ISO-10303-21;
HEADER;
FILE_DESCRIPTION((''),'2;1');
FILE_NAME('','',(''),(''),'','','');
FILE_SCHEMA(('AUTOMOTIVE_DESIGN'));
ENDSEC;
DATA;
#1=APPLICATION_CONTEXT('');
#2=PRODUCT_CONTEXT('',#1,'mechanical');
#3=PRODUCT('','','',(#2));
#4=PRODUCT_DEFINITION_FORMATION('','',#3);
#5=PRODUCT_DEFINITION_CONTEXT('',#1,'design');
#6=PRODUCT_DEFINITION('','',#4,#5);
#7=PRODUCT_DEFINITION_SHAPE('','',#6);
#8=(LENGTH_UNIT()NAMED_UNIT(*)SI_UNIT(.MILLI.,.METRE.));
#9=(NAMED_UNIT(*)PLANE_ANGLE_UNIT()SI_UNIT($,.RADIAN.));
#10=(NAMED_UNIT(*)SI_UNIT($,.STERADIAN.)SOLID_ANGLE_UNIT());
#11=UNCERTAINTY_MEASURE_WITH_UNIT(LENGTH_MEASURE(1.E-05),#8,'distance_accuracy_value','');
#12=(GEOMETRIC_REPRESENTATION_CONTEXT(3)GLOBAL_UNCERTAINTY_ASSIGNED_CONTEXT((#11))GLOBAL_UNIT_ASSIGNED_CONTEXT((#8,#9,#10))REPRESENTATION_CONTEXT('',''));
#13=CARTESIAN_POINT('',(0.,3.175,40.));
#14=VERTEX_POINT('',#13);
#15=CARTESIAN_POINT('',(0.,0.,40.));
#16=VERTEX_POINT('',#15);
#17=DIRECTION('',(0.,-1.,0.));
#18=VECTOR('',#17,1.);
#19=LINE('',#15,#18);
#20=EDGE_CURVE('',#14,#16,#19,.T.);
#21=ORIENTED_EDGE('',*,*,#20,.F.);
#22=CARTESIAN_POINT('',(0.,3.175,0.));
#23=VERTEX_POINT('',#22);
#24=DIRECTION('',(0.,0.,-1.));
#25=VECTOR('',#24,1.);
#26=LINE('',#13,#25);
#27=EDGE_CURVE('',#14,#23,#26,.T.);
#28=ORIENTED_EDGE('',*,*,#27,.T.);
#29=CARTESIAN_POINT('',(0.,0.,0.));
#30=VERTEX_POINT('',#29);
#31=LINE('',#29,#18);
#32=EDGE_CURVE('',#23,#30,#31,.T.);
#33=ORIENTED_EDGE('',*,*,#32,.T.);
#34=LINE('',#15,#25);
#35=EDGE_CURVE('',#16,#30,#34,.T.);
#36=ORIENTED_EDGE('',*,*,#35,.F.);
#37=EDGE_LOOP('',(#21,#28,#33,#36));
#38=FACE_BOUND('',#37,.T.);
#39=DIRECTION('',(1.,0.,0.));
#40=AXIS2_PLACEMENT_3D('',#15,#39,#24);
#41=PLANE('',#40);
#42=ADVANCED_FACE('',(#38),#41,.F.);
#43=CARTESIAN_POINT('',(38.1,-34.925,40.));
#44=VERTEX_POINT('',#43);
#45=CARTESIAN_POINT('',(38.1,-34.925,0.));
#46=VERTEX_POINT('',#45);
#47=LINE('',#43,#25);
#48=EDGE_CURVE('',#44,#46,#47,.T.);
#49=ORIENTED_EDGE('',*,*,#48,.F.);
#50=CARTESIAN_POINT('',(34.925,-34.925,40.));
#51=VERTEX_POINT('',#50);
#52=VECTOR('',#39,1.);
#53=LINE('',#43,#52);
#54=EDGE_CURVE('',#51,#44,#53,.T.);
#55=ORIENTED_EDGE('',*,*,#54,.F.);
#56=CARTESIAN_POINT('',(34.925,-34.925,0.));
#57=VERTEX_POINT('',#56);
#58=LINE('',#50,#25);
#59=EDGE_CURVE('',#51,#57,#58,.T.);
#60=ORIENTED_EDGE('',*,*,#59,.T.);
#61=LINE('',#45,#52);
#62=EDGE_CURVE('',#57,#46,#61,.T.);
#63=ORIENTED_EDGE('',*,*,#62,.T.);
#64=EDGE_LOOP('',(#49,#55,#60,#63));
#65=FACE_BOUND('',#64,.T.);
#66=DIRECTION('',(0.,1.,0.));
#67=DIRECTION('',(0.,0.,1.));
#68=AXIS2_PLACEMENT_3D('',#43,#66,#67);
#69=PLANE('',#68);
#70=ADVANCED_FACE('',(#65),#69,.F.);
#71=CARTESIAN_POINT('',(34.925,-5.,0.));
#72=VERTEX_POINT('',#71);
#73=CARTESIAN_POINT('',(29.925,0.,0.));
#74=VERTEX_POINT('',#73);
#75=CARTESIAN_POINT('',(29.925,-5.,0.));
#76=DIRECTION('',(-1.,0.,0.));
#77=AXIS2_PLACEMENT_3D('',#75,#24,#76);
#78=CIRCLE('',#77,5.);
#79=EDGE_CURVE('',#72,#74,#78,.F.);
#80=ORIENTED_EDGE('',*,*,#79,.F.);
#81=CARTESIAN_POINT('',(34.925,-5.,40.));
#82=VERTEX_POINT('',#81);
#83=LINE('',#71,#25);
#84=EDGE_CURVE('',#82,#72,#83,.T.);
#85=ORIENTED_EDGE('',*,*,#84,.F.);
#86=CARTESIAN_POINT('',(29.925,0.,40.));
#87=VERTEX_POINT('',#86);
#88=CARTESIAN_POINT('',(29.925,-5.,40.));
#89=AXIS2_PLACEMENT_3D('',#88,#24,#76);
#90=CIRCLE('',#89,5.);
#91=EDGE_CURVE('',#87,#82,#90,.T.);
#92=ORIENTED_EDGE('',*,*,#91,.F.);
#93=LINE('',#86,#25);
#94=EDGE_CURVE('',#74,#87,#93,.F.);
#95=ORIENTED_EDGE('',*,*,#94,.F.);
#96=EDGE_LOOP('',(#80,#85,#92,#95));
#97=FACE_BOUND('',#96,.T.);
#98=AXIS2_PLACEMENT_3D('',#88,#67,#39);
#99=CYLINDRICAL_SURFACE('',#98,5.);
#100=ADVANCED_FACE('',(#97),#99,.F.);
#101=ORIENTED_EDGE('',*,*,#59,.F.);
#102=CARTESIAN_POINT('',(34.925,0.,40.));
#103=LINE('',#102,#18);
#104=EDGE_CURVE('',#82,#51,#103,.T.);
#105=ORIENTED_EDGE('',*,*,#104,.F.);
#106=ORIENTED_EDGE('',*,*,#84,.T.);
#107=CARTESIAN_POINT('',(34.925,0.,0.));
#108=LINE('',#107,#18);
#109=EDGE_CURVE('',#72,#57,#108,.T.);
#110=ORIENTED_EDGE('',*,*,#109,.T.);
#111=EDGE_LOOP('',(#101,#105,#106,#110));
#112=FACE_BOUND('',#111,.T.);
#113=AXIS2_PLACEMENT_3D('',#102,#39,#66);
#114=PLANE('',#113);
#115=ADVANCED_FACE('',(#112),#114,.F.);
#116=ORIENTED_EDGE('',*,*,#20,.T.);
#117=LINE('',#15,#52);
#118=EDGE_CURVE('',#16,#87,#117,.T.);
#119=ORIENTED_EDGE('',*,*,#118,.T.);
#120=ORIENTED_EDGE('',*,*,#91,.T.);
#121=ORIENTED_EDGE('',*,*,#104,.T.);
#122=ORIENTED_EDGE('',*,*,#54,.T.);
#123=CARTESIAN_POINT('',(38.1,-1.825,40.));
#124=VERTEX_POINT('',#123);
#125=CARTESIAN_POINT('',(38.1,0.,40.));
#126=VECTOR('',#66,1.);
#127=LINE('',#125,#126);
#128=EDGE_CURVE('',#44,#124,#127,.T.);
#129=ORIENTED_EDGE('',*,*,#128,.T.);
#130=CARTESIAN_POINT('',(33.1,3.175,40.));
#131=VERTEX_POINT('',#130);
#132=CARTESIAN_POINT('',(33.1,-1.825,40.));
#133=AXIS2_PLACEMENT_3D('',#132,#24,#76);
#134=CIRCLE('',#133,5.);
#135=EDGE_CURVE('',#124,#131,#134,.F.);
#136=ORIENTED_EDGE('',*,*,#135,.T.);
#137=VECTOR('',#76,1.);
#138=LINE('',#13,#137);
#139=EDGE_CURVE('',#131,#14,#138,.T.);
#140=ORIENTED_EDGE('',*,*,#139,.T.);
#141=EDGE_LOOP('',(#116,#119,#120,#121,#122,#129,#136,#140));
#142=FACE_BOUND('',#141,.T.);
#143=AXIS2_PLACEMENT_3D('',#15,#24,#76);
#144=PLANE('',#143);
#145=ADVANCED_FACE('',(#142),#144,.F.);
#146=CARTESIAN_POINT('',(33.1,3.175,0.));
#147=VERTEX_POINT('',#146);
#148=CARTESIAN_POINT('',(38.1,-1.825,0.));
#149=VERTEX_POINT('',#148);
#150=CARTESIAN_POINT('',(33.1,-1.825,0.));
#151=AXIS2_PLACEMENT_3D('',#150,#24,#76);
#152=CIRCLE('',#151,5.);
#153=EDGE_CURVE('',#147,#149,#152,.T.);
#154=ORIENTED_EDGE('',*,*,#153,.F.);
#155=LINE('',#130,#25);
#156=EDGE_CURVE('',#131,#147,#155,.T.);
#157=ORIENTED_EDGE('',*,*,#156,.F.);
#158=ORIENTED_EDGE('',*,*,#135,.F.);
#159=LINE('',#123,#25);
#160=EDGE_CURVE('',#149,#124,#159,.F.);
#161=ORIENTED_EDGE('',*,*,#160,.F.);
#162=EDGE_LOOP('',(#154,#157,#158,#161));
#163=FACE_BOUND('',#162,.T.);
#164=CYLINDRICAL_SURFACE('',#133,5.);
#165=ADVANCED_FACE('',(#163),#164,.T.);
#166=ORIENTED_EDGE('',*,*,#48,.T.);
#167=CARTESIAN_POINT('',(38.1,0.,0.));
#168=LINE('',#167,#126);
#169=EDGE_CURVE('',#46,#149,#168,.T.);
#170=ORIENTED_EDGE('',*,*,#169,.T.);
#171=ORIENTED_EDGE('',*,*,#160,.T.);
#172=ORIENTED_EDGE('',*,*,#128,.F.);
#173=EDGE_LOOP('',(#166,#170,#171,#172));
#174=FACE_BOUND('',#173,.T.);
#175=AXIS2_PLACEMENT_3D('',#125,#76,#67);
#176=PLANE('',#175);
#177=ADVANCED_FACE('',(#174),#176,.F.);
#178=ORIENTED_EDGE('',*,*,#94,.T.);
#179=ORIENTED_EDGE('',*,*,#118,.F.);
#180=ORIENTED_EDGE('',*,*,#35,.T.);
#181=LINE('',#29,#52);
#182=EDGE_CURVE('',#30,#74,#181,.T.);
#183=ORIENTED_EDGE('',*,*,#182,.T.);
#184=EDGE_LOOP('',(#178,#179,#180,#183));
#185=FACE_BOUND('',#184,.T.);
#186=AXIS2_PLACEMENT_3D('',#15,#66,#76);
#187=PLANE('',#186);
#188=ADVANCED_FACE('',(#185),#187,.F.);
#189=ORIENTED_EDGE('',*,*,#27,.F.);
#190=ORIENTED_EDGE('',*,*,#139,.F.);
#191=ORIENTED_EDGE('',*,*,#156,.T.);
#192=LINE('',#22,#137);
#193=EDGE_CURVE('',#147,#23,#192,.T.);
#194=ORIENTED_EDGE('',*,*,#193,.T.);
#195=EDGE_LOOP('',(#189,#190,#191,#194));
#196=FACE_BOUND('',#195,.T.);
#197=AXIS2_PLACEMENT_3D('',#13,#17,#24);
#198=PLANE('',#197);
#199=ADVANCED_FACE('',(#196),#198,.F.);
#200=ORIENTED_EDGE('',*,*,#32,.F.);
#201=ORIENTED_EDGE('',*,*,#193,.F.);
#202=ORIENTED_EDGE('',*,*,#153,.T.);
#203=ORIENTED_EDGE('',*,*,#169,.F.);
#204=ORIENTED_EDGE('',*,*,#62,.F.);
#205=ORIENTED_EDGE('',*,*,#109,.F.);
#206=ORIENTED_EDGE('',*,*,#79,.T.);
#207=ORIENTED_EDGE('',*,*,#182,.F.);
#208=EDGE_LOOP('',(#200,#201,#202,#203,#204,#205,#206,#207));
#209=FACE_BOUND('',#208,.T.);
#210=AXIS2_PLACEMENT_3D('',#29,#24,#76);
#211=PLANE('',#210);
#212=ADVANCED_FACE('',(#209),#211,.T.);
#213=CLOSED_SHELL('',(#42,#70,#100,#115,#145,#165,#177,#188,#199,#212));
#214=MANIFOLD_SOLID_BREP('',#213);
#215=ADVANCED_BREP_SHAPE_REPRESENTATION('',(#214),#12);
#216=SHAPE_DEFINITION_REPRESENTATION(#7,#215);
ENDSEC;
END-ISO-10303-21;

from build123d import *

# Parameters (mm, degrees)
BOSS_EXTRUDE1_DEPTH = 40
FILLET1_R           = 5
FILLET2_R           = 5


with BuildPart() as part:
    # Sketch1 → Boss-Extrude1 (new body)
    with BuildSketch(Plane.XY):
        Polygon((0, 0), (34.925, 0), (34.925, -34.925), (38.1, -34.925), (38.1, 0), (38.1, 3.175), (0, 3.175), align=None)
    extrude(amount=BOSS_EXTRUDE1_DEPTH)

    # Fillet1
    fillet1_edges = [part.edges().sort_by_distance(p)[0] for p in [
        (34.925, 0, 20),
    ]]
    fillet(fillet1_edges, radius=FILLET1_R)

    # Fillet2
    fillet2_edges = [part.edges().sort_by_distance(p)[0] for p in [
        (38.1, 3.175, 20),
    ]]
    fillet(fillet2_edges, radius=FILLET2_R)


solid = part.part
